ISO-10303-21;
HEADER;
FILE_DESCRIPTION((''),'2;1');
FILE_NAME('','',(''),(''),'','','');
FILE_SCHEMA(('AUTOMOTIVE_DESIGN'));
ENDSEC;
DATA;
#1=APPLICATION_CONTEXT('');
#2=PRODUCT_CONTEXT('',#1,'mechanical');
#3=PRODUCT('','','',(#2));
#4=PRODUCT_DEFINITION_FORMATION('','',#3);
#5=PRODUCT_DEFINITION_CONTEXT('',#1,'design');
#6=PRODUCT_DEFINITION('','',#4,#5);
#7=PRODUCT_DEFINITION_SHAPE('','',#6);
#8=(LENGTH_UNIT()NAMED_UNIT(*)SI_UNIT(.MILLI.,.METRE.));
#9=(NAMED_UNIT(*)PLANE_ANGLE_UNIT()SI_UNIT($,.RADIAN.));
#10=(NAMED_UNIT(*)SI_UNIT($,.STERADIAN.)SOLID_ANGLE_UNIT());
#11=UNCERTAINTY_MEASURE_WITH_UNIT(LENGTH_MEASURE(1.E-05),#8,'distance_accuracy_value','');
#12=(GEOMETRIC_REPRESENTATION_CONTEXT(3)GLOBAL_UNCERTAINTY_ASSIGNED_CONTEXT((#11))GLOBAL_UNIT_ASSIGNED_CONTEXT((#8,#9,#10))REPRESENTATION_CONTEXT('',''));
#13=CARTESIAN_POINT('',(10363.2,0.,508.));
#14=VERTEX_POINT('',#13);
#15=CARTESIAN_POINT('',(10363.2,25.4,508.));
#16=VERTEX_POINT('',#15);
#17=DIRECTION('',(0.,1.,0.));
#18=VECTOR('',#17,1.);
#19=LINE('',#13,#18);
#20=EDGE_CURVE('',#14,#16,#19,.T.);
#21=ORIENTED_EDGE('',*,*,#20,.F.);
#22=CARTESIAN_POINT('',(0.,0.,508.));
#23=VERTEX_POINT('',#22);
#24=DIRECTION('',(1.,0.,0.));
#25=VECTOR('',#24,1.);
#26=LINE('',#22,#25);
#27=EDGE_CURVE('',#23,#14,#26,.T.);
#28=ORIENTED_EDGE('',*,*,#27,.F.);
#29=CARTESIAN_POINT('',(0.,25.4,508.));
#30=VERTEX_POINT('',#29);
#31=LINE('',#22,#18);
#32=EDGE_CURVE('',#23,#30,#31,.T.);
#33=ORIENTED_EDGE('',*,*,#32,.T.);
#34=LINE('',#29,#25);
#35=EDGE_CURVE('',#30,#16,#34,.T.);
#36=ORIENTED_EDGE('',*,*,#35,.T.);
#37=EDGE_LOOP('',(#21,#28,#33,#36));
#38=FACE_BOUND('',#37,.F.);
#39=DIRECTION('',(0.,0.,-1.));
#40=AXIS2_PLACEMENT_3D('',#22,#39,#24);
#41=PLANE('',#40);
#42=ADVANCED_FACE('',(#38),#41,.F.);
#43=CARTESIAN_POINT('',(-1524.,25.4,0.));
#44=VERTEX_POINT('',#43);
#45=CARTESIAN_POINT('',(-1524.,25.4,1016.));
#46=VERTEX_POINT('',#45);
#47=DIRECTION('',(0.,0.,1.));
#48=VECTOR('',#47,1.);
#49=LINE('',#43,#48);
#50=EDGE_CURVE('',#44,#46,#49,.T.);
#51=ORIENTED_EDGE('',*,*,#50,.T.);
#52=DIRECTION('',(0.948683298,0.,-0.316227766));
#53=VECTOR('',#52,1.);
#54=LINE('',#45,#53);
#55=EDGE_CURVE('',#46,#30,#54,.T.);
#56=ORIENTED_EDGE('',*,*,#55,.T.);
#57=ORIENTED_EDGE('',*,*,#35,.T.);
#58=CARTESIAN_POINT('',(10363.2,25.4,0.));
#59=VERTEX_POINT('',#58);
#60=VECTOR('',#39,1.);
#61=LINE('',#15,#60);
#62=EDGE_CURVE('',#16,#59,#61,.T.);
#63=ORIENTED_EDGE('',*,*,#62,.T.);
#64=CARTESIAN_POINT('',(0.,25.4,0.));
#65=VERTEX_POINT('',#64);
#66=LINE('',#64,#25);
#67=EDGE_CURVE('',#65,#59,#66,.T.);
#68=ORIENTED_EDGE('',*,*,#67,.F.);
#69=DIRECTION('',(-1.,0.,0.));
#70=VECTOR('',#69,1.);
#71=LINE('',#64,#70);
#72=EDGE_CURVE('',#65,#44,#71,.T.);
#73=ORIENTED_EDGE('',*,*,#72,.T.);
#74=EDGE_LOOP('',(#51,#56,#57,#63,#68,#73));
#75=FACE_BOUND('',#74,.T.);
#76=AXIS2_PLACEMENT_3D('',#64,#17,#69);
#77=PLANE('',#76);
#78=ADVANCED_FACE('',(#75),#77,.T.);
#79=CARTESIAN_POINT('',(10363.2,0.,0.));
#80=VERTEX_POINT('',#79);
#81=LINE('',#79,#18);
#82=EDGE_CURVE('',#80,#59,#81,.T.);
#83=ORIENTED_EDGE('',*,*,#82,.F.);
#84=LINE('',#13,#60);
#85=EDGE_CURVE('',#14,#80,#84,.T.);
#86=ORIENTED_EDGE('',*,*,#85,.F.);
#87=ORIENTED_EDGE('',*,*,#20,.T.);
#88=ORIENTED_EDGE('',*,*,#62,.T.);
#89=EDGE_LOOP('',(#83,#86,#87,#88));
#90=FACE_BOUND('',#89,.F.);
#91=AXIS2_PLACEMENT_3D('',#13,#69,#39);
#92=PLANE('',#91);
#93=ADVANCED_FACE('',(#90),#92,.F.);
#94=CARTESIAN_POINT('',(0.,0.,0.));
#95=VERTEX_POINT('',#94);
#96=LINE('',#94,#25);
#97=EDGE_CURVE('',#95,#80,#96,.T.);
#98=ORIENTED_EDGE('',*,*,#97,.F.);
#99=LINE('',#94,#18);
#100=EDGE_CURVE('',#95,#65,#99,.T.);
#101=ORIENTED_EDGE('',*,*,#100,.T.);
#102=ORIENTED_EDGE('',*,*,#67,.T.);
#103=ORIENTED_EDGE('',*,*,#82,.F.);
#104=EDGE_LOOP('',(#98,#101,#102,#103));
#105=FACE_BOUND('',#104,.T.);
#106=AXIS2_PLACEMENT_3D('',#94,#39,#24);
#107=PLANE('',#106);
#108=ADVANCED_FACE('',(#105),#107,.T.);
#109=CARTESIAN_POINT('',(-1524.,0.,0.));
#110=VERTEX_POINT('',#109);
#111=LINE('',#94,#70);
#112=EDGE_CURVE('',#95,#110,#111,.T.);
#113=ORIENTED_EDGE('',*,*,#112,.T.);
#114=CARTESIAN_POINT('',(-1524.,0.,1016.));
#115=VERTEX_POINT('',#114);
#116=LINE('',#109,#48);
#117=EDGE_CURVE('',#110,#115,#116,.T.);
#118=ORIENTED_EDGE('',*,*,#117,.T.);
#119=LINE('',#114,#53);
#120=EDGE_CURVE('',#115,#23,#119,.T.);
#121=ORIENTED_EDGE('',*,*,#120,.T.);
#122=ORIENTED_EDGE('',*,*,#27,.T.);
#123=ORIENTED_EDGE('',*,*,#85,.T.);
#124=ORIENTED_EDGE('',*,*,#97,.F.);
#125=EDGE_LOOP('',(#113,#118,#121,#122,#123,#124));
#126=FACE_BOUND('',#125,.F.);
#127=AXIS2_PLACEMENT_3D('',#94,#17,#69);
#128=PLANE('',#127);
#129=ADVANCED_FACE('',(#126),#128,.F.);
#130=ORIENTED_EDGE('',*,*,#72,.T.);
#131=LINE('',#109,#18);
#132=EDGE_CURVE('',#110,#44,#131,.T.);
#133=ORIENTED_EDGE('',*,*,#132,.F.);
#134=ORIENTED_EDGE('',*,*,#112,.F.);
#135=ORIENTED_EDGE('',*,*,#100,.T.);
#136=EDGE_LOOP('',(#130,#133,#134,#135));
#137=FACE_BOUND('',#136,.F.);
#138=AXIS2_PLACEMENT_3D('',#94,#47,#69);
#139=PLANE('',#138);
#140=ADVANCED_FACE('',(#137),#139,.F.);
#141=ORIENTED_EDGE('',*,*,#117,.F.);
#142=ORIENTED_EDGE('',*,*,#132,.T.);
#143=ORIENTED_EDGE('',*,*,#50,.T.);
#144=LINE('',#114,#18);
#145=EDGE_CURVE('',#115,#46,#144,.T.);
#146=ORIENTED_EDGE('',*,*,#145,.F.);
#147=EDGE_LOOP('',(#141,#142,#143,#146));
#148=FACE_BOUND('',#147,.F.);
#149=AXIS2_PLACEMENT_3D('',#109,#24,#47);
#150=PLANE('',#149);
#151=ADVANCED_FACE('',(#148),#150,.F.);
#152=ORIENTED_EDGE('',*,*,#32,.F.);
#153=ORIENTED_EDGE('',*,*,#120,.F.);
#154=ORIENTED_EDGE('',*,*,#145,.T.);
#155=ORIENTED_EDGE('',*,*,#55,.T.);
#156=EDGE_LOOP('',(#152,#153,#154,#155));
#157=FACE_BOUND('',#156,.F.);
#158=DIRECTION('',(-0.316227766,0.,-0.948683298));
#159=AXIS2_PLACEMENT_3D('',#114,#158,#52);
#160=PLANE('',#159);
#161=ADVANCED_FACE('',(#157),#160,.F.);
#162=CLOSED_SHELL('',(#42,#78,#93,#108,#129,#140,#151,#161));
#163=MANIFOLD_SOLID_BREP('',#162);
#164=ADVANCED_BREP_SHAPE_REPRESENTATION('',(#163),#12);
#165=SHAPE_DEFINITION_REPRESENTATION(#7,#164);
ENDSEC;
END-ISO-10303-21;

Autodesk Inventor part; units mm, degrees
ref_plane "YZ Plane" through (0, 0, 0) normal (1, 0, 0) x (0, 1, 0)
ref_plane "XZ Plane" through (0, 0, 0) normal (0, 1, 0) x (-1, 0, 0)
ref_plane "XY Plane" through (0, 0, 0) normal (0, 0, 1) x (1, 0, 0)
sketch "Sketch1" plane through (0, 0, 0) normal (0, 1, 0) x (-1, 0, 0)
  line L0 (0, 0) -> (1524, 0)
  line L1 (1524, 0) -> (1524, 1016)
  line L2 (1524, 1016) -> (0, 508)
  line L3 (0, 0) -> (-10363.2, 0)
  line L4 (0, 508) -> (-10363.2, 508)
  line L5 (-10363.2, 508) -> (-10363.2, 0)
  dimension "d0" = 1524
  dimension "d1" = 508
  dimension "d2" = 1016
  dimension "d3" = 10363.2
  dimension "d4" = 10363.2
extrude "Extrusion1" add sketch "Sketch1" along normal blind 25.4
properties part number "sidewalkBack"
